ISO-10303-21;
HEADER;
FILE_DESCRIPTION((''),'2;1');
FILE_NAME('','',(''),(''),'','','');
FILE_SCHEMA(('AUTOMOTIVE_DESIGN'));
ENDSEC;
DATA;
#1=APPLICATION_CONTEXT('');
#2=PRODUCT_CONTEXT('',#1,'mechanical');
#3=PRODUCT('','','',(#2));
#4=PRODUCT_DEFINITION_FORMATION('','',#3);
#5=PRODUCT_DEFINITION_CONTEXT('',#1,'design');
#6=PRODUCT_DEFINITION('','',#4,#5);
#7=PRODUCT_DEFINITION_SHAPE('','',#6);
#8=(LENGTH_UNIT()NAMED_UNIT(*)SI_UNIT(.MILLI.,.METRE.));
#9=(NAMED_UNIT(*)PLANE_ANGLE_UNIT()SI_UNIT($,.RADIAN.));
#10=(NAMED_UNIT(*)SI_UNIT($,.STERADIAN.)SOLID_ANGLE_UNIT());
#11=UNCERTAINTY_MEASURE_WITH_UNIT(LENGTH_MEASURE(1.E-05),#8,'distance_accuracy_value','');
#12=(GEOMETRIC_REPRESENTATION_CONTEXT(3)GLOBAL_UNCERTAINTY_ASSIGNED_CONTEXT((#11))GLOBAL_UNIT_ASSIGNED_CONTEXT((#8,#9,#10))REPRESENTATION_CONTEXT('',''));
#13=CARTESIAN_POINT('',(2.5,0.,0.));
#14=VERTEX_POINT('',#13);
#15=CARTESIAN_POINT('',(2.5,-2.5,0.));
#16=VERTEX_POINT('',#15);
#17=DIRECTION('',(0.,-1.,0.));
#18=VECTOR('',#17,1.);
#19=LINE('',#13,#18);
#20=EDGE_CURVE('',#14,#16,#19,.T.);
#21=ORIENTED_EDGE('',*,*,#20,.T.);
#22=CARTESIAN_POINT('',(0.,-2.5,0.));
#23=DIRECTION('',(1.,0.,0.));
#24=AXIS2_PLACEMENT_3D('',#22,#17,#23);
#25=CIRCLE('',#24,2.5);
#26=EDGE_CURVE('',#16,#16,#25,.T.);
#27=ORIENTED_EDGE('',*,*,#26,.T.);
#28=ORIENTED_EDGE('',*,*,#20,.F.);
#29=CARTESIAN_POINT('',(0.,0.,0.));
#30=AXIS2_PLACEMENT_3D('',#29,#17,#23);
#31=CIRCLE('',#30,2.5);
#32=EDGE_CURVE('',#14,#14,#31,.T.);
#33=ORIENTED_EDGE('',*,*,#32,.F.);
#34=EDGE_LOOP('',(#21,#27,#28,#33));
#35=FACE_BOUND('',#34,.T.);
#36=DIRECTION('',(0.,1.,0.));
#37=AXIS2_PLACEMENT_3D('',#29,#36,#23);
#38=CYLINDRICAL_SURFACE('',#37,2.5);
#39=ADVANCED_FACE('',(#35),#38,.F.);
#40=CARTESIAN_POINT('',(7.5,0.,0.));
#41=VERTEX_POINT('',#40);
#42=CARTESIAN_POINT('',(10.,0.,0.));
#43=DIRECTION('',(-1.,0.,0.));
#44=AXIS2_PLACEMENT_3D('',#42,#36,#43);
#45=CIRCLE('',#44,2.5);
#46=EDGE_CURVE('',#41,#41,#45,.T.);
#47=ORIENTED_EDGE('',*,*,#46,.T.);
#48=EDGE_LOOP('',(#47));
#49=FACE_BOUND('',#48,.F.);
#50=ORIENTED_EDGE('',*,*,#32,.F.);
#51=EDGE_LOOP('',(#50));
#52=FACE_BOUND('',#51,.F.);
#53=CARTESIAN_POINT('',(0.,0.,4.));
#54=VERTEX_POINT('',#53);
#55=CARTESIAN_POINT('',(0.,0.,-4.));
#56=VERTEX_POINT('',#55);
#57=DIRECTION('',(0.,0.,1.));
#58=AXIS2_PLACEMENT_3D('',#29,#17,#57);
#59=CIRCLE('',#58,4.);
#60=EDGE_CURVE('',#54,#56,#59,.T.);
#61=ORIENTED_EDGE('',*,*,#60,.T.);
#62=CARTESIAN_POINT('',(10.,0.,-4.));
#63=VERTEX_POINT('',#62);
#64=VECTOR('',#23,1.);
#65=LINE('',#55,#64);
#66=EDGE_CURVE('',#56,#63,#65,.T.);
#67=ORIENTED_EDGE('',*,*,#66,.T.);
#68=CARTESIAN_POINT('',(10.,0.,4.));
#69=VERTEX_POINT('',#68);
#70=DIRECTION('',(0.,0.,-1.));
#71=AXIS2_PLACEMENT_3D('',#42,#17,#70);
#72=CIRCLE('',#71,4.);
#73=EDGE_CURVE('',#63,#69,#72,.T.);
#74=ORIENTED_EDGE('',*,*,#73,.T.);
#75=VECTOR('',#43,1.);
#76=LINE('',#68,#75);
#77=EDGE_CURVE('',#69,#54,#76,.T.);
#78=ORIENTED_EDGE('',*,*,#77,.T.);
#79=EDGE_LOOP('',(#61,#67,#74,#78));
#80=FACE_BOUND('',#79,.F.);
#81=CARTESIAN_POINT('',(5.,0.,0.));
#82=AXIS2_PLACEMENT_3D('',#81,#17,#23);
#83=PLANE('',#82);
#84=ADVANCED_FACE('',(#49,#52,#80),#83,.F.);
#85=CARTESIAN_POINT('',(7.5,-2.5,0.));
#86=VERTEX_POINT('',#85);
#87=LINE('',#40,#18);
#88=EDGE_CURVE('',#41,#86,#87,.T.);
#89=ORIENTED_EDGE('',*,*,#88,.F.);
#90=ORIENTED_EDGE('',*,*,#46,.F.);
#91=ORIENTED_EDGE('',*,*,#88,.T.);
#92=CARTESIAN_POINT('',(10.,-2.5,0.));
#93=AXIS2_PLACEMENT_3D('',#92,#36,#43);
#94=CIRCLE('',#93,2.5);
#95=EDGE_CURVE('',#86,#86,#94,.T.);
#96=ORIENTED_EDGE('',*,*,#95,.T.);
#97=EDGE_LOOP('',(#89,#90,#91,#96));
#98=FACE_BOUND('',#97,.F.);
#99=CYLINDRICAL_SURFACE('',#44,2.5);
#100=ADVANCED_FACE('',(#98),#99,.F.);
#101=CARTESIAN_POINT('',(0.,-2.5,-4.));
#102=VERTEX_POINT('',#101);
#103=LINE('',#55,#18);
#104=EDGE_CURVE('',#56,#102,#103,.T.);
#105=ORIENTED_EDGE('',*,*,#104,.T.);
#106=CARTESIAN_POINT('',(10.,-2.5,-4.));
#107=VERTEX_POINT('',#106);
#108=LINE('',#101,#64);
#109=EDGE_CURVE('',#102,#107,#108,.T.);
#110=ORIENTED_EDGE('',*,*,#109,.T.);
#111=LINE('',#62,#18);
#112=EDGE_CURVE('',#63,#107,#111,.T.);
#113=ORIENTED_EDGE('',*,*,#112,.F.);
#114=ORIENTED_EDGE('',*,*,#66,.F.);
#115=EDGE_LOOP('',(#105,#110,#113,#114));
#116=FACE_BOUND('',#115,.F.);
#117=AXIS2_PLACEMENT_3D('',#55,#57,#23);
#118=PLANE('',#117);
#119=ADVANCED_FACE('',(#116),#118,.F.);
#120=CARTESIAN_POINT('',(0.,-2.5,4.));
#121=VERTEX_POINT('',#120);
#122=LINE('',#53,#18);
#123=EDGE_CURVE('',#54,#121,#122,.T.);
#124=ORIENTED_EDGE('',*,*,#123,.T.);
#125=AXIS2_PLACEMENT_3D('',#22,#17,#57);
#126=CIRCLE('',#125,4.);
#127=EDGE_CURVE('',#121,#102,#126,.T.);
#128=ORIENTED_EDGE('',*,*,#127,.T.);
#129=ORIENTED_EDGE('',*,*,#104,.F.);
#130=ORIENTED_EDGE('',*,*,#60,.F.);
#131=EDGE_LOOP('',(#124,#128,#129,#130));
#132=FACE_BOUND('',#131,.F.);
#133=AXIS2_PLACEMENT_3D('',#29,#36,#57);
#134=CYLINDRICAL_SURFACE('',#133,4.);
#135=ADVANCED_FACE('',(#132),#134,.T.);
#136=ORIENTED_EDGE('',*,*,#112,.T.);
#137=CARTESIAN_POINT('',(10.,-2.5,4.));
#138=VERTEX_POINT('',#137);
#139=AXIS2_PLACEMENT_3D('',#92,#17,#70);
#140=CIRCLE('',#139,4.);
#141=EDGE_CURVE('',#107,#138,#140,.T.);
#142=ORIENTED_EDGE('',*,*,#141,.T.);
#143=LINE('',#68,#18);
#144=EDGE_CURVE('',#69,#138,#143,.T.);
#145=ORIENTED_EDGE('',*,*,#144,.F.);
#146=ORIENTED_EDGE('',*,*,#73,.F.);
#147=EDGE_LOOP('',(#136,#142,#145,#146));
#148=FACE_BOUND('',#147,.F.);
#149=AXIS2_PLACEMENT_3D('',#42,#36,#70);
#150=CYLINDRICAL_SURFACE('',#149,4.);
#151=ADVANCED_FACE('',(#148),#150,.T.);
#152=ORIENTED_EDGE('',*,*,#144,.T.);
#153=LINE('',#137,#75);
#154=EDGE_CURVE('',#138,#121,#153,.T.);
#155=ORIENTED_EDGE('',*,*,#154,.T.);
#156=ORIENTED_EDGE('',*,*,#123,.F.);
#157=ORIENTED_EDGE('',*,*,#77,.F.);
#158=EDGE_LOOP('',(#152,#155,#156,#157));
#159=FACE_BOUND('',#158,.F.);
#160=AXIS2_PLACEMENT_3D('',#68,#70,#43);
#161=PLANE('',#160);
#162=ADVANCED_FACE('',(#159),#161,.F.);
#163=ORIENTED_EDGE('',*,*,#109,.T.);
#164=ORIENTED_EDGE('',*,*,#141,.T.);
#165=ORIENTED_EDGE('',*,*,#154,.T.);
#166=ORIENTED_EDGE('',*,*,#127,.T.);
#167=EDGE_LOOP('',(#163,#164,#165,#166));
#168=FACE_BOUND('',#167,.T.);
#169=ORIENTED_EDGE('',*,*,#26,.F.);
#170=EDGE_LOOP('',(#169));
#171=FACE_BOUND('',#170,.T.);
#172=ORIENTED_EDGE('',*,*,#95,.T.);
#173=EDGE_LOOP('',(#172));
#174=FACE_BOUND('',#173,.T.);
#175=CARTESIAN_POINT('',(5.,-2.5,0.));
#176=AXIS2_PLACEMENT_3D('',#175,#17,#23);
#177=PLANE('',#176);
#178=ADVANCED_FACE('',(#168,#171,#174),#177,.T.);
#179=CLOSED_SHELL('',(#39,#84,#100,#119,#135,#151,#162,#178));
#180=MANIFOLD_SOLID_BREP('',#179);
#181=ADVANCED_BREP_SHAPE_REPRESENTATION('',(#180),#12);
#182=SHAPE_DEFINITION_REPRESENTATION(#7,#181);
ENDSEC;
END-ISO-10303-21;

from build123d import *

# Parameters (mm, degrees)
F0_R     = 2.5
F1_DEPTH = 2.5


with BuildPart() as f1:
    # F0 (on Front) → F1 (new body)
    with BuildSketch(Plane.XZ):
        with BuildLine():
            Line((10, 4), (0, 4))
            ThreePointArc((0, 4), (-4, 0), (0, -4))
            Line((0, -4), (10, -4))
            ThreePointArc((10, -4), (14, 0), (10, 4))
        make_face()
        Circle(F0_R, mode=Mode.SUBTRACT)
        with BuildLine():
            ThreePointArc((12.5, 0), (10, -2.5), (7.5, 0))
            ThreePointArc((7.5, 0), (10, 2.5), (12.5, 0))
        make_face(mode=Mode.SUBTRACT)
    extrude(amount=F1_DEPTH)


solid = f1.part
